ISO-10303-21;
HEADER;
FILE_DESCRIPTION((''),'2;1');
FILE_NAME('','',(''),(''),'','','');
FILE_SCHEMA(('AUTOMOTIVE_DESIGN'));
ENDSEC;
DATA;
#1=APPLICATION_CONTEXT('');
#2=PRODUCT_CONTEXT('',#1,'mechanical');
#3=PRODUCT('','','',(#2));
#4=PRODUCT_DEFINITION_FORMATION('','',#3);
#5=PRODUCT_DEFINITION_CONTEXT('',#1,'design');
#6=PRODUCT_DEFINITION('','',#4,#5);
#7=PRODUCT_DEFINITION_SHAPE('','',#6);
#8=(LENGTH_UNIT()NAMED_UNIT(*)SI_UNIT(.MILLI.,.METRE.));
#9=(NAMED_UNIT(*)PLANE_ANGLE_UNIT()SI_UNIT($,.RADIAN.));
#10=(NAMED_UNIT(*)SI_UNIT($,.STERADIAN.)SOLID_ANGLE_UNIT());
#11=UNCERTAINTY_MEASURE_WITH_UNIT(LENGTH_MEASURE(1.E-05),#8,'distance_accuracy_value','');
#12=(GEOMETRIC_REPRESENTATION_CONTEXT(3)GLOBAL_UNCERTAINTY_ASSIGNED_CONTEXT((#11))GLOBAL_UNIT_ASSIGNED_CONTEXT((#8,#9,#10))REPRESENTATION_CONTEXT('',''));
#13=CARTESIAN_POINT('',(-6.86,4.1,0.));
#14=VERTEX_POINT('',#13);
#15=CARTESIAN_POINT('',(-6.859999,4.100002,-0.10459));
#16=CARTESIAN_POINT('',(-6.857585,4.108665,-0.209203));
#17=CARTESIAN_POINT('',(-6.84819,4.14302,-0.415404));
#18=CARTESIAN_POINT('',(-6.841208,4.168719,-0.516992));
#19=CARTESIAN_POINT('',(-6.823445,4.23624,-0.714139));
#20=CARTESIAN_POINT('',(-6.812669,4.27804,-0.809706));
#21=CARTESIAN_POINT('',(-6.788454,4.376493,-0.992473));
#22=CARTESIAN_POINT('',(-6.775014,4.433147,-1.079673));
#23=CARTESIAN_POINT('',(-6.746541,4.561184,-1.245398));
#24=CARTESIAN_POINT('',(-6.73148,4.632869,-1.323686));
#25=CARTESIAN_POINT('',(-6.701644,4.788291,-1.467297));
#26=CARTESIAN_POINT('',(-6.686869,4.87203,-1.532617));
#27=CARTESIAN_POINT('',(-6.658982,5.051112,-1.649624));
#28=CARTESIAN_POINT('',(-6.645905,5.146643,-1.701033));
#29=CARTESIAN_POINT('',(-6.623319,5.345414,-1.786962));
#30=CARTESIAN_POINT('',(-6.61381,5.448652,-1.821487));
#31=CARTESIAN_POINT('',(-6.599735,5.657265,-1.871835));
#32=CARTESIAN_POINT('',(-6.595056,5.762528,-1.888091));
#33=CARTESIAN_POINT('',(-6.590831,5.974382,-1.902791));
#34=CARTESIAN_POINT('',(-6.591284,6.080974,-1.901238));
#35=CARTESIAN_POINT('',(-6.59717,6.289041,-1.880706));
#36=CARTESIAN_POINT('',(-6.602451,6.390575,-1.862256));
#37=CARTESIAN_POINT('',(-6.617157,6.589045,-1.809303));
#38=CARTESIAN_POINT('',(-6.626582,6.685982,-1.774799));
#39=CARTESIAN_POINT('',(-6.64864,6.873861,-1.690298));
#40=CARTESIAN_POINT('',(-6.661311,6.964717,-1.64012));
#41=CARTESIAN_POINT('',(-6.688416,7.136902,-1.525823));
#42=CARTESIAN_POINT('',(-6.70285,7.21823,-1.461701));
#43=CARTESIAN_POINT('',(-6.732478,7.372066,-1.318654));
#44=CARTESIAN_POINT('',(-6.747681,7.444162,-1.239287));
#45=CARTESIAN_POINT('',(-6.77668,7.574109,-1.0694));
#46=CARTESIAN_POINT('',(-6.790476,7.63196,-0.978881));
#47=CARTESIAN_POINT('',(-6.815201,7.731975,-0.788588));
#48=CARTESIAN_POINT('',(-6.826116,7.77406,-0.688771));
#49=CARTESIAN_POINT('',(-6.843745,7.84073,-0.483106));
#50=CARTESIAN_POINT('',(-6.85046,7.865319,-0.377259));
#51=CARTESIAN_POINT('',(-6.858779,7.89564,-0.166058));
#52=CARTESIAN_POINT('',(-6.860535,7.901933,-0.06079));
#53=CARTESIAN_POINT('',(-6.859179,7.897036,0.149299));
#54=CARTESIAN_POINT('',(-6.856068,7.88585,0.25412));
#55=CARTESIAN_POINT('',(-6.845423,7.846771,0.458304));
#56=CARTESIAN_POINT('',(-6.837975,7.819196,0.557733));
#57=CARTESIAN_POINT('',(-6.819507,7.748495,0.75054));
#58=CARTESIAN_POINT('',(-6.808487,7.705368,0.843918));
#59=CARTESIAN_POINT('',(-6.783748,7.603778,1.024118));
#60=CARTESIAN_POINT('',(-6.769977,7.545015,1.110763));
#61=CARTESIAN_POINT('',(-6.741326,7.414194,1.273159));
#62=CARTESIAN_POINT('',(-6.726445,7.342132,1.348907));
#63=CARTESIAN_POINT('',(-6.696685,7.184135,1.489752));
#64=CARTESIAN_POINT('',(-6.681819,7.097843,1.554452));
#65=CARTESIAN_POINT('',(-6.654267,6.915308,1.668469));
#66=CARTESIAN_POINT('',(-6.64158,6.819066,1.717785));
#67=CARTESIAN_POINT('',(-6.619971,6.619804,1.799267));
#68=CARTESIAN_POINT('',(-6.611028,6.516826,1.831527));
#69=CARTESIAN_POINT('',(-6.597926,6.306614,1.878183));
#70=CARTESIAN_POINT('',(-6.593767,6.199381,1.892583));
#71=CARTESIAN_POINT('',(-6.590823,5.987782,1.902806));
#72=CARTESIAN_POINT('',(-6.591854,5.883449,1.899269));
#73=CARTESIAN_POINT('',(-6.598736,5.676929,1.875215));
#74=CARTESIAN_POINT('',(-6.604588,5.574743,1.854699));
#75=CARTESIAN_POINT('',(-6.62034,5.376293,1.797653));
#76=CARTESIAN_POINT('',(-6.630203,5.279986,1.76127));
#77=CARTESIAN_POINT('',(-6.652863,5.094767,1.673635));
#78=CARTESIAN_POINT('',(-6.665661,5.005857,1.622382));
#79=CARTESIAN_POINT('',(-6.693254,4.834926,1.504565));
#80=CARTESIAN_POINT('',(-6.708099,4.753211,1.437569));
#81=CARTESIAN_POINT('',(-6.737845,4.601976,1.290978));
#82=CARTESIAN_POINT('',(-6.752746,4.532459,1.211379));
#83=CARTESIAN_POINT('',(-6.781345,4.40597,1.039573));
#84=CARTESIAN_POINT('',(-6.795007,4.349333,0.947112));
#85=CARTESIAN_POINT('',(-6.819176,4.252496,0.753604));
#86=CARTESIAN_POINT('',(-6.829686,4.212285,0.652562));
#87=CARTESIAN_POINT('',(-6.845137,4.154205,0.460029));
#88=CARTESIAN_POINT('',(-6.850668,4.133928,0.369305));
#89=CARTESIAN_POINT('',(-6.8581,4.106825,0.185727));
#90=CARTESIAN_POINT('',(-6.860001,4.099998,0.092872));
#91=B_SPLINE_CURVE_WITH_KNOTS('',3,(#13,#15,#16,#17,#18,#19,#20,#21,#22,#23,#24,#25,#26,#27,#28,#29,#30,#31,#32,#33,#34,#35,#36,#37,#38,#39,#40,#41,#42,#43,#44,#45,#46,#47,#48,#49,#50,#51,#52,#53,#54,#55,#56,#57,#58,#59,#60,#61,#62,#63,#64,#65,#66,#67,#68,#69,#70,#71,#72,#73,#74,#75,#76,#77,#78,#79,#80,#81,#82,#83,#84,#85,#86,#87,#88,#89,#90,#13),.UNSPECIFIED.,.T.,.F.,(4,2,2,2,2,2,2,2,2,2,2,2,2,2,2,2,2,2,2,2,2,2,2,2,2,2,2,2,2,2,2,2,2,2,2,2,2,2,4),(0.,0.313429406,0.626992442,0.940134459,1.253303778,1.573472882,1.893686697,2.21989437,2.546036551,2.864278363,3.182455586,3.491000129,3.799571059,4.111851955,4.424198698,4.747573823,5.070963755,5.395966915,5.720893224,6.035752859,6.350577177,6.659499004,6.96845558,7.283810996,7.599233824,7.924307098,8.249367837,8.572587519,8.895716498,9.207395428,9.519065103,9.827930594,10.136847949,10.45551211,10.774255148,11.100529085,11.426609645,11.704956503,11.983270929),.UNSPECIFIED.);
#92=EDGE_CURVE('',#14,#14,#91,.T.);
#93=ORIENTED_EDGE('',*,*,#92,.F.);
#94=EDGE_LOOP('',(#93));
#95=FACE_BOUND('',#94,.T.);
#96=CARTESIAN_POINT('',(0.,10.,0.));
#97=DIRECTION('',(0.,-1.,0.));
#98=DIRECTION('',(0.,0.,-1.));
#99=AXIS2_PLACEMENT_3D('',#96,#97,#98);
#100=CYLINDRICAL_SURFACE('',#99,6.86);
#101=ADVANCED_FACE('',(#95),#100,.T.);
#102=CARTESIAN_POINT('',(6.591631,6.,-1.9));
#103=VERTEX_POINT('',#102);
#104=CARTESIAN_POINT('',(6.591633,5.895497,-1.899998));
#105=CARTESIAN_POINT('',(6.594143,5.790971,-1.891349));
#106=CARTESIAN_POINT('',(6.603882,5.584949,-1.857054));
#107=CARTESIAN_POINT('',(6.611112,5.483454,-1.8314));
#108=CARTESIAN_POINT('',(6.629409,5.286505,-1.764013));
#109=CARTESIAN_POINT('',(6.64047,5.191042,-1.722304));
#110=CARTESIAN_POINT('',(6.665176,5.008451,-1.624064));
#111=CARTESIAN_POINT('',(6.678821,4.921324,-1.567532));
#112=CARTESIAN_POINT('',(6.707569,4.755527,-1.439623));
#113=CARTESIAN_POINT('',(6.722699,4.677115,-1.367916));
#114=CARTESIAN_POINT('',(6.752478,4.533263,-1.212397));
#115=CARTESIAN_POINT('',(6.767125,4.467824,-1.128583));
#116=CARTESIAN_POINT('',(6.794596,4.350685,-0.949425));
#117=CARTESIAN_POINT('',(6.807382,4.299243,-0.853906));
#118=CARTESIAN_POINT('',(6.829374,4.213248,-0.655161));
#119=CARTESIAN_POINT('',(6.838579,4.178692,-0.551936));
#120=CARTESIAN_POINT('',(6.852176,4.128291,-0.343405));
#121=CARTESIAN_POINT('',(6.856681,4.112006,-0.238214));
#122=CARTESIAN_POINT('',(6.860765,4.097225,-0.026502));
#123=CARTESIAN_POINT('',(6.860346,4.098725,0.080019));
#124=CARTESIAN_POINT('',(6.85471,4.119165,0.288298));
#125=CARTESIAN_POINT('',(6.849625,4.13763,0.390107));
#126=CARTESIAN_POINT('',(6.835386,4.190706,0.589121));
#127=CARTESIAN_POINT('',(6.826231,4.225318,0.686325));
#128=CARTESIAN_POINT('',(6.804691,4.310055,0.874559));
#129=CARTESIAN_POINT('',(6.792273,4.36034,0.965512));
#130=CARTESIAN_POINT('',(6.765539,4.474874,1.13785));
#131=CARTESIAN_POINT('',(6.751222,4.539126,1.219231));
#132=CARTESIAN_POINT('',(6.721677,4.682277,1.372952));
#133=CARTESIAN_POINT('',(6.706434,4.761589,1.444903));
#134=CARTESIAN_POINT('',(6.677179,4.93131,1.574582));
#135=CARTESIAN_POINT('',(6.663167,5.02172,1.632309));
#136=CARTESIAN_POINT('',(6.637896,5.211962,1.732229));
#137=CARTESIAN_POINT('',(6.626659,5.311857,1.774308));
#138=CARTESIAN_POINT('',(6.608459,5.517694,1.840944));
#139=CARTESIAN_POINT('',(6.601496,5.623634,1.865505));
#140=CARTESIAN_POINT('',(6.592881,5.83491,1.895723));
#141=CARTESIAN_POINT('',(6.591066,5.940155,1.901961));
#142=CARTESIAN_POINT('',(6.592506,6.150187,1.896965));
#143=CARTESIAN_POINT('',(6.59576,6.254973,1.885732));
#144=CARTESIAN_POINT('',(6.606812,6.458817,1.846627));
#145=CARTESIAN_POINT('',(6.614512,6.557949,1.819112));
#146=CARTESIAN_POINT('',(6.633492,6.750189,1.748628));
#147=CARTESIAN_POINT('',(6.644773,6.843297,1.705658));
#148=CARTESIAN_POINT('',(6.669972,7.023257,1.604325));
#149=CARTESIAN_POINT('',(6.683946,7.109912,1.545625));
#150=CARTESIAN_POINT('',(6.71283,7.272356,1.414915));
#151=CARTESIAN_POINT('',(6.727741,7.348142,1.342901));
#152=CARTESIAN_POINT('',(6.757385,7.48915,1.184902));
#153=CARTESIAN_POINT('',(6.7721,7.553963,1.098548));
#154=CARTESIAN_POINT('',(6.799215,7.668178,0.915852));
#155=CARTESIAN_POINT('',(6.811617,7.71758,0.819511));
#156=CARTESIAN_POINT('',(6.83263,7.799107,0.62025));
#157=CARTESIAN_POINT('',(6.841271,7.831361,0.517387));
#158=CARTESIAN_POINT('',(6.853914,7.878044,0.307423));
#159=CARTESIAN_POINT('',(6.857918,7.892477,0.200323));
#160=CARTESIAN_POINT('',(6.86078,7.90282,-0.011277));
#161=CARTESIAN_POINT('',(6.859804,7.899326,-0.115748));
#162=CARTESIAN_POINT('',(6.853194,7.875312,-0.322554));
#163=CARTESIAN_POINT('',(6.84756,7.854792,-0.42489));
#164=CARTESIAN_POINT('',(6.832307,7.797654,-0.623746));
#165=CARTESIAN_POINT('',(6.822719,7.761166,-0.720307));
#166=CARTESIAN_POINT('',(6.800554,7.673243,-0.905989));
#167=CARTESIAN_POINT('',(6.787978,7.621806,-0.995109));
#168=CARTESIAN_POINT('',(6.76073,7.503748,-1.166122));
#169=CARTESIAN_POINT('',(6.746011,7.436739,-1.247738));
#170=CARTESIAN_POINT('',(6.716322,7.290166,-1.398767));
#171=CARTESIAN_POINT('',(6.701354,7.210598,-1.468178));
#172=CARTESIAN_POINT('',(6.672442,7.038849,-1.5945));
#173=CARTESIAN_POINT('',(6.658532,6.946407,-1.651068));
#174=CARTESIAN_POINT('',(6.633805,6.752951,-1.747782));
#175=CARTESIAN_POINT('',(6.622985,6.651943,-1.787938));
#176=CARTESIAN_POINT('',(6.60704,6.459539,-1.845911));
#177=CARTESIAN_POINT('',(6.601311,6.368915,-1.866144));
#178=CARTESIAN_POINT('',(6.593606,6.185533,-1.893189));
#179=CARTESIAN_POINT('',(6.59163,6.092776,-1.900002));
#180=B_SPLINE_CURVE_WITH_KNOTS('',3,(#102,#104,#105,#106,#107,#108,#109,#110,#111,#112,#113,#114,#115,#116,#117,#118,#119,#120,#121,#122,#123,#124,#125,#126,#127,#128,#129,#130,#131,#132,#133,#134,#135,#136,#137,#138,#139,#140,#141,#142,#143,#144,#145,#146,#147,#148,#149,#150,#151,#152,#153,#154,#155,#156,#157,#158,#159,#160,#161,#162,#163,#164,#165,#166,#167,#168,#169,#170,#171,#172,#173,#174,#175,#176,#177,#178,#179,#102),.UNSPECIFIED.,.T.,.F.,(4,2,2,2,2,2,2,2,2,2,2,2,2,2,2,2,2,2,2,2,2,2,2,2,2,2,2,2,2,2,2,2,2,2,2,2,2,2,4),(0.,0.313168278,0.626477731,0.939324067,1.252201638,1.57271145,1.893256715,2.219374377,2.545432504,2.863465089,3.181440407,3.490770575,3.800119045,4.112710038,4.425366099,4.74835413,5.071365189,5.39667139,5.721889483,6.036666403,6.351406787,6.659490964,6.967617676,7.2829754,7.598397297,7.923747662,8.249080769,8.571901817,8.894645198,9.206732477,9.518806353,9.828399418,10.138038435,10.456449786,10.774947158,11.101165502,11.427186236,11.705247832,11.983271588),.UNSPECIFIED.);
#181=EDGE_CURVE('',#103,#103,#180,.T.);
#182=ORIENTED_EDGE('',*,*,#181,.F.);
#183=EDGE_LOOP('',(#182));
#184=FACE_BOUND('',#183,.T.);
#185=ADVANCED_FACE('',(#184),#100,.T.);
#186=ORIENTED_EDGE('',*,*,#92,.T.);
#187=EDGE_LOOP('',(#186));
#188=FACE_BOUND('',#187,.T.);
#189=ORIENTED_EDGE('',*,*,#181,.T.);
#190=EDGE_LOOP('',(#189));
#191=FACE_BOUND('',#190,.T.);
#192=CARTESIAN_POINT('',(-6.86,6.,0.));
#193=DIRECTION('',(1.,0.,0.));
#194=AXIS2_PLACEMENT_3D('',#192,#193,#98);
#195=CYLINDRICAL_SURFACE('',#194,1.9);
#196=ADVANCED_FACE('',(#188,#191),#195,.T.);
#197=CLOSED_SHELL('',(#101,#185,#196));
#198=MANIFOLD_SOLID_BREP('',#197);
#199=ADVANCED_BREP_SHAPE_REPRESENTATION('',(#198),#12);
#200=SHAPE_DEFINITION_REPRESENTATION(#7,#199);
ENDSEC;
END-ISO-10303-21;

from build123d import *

# Parameters (mm, degrees)
CROQUIS3_R                 = 6.86
SALIENTE_EXTRUIR2_DEPTH    = 10
CORTAR_EXTRUIR2_DEPTH      = 14.932666651
CORTAR_EXTRUIR2_DEPTH_BACK = 14.932666651
CROQUIS4_OUTSIDE_W         = 20.086
CROQUIS4_OUTSIDE_H         = 16.366
CROQUIS4_OUTSIDE_R         = 1.9


with BuildPart() as part:
    # Croquis3 → Saliente-Extruir2 (new body)
    with BuildSketch(Plane(origin=(0, 0, 0), x_dir=(1, 0, 0), z_dir=(0, 1, 0))):
        with Locations(Location((0, 0, 0), (0, 0, 270))):
            Circle(CROQUIS3_R)
    extrude(amount=SALIENTE_EXTRUIR2_DEPTH)

    # Croquis4 outside → Cortar-Extruir2 (cut, two sides: drawn at the far end of the back side and taken through both)
    with BuildSketch(Plane(origin=(0, 0, 0), x_dir=(0, 0, -1), z_dir=(1, 0, 0)).offset(-CORTAR_EXTRUIR2_DEPTH_BACK)):
        with Locations((0, 5)):
            Rectangle(CROQUIS4_OUTSIDE_W, CROQUIS4_OUTSIDE_H)
        with Locations((0, 6)):
            Circle(CROQUIS4_OUTSIDE_R, mode=Mode.SUBTRACT)
    extrude(amount=CORTAR_EXTRUIR2_DEPTH + CORTAR_EXTRUIR2_DEPTH_BACK, mode=Mode.SUBTRACT)


solid = part.part
